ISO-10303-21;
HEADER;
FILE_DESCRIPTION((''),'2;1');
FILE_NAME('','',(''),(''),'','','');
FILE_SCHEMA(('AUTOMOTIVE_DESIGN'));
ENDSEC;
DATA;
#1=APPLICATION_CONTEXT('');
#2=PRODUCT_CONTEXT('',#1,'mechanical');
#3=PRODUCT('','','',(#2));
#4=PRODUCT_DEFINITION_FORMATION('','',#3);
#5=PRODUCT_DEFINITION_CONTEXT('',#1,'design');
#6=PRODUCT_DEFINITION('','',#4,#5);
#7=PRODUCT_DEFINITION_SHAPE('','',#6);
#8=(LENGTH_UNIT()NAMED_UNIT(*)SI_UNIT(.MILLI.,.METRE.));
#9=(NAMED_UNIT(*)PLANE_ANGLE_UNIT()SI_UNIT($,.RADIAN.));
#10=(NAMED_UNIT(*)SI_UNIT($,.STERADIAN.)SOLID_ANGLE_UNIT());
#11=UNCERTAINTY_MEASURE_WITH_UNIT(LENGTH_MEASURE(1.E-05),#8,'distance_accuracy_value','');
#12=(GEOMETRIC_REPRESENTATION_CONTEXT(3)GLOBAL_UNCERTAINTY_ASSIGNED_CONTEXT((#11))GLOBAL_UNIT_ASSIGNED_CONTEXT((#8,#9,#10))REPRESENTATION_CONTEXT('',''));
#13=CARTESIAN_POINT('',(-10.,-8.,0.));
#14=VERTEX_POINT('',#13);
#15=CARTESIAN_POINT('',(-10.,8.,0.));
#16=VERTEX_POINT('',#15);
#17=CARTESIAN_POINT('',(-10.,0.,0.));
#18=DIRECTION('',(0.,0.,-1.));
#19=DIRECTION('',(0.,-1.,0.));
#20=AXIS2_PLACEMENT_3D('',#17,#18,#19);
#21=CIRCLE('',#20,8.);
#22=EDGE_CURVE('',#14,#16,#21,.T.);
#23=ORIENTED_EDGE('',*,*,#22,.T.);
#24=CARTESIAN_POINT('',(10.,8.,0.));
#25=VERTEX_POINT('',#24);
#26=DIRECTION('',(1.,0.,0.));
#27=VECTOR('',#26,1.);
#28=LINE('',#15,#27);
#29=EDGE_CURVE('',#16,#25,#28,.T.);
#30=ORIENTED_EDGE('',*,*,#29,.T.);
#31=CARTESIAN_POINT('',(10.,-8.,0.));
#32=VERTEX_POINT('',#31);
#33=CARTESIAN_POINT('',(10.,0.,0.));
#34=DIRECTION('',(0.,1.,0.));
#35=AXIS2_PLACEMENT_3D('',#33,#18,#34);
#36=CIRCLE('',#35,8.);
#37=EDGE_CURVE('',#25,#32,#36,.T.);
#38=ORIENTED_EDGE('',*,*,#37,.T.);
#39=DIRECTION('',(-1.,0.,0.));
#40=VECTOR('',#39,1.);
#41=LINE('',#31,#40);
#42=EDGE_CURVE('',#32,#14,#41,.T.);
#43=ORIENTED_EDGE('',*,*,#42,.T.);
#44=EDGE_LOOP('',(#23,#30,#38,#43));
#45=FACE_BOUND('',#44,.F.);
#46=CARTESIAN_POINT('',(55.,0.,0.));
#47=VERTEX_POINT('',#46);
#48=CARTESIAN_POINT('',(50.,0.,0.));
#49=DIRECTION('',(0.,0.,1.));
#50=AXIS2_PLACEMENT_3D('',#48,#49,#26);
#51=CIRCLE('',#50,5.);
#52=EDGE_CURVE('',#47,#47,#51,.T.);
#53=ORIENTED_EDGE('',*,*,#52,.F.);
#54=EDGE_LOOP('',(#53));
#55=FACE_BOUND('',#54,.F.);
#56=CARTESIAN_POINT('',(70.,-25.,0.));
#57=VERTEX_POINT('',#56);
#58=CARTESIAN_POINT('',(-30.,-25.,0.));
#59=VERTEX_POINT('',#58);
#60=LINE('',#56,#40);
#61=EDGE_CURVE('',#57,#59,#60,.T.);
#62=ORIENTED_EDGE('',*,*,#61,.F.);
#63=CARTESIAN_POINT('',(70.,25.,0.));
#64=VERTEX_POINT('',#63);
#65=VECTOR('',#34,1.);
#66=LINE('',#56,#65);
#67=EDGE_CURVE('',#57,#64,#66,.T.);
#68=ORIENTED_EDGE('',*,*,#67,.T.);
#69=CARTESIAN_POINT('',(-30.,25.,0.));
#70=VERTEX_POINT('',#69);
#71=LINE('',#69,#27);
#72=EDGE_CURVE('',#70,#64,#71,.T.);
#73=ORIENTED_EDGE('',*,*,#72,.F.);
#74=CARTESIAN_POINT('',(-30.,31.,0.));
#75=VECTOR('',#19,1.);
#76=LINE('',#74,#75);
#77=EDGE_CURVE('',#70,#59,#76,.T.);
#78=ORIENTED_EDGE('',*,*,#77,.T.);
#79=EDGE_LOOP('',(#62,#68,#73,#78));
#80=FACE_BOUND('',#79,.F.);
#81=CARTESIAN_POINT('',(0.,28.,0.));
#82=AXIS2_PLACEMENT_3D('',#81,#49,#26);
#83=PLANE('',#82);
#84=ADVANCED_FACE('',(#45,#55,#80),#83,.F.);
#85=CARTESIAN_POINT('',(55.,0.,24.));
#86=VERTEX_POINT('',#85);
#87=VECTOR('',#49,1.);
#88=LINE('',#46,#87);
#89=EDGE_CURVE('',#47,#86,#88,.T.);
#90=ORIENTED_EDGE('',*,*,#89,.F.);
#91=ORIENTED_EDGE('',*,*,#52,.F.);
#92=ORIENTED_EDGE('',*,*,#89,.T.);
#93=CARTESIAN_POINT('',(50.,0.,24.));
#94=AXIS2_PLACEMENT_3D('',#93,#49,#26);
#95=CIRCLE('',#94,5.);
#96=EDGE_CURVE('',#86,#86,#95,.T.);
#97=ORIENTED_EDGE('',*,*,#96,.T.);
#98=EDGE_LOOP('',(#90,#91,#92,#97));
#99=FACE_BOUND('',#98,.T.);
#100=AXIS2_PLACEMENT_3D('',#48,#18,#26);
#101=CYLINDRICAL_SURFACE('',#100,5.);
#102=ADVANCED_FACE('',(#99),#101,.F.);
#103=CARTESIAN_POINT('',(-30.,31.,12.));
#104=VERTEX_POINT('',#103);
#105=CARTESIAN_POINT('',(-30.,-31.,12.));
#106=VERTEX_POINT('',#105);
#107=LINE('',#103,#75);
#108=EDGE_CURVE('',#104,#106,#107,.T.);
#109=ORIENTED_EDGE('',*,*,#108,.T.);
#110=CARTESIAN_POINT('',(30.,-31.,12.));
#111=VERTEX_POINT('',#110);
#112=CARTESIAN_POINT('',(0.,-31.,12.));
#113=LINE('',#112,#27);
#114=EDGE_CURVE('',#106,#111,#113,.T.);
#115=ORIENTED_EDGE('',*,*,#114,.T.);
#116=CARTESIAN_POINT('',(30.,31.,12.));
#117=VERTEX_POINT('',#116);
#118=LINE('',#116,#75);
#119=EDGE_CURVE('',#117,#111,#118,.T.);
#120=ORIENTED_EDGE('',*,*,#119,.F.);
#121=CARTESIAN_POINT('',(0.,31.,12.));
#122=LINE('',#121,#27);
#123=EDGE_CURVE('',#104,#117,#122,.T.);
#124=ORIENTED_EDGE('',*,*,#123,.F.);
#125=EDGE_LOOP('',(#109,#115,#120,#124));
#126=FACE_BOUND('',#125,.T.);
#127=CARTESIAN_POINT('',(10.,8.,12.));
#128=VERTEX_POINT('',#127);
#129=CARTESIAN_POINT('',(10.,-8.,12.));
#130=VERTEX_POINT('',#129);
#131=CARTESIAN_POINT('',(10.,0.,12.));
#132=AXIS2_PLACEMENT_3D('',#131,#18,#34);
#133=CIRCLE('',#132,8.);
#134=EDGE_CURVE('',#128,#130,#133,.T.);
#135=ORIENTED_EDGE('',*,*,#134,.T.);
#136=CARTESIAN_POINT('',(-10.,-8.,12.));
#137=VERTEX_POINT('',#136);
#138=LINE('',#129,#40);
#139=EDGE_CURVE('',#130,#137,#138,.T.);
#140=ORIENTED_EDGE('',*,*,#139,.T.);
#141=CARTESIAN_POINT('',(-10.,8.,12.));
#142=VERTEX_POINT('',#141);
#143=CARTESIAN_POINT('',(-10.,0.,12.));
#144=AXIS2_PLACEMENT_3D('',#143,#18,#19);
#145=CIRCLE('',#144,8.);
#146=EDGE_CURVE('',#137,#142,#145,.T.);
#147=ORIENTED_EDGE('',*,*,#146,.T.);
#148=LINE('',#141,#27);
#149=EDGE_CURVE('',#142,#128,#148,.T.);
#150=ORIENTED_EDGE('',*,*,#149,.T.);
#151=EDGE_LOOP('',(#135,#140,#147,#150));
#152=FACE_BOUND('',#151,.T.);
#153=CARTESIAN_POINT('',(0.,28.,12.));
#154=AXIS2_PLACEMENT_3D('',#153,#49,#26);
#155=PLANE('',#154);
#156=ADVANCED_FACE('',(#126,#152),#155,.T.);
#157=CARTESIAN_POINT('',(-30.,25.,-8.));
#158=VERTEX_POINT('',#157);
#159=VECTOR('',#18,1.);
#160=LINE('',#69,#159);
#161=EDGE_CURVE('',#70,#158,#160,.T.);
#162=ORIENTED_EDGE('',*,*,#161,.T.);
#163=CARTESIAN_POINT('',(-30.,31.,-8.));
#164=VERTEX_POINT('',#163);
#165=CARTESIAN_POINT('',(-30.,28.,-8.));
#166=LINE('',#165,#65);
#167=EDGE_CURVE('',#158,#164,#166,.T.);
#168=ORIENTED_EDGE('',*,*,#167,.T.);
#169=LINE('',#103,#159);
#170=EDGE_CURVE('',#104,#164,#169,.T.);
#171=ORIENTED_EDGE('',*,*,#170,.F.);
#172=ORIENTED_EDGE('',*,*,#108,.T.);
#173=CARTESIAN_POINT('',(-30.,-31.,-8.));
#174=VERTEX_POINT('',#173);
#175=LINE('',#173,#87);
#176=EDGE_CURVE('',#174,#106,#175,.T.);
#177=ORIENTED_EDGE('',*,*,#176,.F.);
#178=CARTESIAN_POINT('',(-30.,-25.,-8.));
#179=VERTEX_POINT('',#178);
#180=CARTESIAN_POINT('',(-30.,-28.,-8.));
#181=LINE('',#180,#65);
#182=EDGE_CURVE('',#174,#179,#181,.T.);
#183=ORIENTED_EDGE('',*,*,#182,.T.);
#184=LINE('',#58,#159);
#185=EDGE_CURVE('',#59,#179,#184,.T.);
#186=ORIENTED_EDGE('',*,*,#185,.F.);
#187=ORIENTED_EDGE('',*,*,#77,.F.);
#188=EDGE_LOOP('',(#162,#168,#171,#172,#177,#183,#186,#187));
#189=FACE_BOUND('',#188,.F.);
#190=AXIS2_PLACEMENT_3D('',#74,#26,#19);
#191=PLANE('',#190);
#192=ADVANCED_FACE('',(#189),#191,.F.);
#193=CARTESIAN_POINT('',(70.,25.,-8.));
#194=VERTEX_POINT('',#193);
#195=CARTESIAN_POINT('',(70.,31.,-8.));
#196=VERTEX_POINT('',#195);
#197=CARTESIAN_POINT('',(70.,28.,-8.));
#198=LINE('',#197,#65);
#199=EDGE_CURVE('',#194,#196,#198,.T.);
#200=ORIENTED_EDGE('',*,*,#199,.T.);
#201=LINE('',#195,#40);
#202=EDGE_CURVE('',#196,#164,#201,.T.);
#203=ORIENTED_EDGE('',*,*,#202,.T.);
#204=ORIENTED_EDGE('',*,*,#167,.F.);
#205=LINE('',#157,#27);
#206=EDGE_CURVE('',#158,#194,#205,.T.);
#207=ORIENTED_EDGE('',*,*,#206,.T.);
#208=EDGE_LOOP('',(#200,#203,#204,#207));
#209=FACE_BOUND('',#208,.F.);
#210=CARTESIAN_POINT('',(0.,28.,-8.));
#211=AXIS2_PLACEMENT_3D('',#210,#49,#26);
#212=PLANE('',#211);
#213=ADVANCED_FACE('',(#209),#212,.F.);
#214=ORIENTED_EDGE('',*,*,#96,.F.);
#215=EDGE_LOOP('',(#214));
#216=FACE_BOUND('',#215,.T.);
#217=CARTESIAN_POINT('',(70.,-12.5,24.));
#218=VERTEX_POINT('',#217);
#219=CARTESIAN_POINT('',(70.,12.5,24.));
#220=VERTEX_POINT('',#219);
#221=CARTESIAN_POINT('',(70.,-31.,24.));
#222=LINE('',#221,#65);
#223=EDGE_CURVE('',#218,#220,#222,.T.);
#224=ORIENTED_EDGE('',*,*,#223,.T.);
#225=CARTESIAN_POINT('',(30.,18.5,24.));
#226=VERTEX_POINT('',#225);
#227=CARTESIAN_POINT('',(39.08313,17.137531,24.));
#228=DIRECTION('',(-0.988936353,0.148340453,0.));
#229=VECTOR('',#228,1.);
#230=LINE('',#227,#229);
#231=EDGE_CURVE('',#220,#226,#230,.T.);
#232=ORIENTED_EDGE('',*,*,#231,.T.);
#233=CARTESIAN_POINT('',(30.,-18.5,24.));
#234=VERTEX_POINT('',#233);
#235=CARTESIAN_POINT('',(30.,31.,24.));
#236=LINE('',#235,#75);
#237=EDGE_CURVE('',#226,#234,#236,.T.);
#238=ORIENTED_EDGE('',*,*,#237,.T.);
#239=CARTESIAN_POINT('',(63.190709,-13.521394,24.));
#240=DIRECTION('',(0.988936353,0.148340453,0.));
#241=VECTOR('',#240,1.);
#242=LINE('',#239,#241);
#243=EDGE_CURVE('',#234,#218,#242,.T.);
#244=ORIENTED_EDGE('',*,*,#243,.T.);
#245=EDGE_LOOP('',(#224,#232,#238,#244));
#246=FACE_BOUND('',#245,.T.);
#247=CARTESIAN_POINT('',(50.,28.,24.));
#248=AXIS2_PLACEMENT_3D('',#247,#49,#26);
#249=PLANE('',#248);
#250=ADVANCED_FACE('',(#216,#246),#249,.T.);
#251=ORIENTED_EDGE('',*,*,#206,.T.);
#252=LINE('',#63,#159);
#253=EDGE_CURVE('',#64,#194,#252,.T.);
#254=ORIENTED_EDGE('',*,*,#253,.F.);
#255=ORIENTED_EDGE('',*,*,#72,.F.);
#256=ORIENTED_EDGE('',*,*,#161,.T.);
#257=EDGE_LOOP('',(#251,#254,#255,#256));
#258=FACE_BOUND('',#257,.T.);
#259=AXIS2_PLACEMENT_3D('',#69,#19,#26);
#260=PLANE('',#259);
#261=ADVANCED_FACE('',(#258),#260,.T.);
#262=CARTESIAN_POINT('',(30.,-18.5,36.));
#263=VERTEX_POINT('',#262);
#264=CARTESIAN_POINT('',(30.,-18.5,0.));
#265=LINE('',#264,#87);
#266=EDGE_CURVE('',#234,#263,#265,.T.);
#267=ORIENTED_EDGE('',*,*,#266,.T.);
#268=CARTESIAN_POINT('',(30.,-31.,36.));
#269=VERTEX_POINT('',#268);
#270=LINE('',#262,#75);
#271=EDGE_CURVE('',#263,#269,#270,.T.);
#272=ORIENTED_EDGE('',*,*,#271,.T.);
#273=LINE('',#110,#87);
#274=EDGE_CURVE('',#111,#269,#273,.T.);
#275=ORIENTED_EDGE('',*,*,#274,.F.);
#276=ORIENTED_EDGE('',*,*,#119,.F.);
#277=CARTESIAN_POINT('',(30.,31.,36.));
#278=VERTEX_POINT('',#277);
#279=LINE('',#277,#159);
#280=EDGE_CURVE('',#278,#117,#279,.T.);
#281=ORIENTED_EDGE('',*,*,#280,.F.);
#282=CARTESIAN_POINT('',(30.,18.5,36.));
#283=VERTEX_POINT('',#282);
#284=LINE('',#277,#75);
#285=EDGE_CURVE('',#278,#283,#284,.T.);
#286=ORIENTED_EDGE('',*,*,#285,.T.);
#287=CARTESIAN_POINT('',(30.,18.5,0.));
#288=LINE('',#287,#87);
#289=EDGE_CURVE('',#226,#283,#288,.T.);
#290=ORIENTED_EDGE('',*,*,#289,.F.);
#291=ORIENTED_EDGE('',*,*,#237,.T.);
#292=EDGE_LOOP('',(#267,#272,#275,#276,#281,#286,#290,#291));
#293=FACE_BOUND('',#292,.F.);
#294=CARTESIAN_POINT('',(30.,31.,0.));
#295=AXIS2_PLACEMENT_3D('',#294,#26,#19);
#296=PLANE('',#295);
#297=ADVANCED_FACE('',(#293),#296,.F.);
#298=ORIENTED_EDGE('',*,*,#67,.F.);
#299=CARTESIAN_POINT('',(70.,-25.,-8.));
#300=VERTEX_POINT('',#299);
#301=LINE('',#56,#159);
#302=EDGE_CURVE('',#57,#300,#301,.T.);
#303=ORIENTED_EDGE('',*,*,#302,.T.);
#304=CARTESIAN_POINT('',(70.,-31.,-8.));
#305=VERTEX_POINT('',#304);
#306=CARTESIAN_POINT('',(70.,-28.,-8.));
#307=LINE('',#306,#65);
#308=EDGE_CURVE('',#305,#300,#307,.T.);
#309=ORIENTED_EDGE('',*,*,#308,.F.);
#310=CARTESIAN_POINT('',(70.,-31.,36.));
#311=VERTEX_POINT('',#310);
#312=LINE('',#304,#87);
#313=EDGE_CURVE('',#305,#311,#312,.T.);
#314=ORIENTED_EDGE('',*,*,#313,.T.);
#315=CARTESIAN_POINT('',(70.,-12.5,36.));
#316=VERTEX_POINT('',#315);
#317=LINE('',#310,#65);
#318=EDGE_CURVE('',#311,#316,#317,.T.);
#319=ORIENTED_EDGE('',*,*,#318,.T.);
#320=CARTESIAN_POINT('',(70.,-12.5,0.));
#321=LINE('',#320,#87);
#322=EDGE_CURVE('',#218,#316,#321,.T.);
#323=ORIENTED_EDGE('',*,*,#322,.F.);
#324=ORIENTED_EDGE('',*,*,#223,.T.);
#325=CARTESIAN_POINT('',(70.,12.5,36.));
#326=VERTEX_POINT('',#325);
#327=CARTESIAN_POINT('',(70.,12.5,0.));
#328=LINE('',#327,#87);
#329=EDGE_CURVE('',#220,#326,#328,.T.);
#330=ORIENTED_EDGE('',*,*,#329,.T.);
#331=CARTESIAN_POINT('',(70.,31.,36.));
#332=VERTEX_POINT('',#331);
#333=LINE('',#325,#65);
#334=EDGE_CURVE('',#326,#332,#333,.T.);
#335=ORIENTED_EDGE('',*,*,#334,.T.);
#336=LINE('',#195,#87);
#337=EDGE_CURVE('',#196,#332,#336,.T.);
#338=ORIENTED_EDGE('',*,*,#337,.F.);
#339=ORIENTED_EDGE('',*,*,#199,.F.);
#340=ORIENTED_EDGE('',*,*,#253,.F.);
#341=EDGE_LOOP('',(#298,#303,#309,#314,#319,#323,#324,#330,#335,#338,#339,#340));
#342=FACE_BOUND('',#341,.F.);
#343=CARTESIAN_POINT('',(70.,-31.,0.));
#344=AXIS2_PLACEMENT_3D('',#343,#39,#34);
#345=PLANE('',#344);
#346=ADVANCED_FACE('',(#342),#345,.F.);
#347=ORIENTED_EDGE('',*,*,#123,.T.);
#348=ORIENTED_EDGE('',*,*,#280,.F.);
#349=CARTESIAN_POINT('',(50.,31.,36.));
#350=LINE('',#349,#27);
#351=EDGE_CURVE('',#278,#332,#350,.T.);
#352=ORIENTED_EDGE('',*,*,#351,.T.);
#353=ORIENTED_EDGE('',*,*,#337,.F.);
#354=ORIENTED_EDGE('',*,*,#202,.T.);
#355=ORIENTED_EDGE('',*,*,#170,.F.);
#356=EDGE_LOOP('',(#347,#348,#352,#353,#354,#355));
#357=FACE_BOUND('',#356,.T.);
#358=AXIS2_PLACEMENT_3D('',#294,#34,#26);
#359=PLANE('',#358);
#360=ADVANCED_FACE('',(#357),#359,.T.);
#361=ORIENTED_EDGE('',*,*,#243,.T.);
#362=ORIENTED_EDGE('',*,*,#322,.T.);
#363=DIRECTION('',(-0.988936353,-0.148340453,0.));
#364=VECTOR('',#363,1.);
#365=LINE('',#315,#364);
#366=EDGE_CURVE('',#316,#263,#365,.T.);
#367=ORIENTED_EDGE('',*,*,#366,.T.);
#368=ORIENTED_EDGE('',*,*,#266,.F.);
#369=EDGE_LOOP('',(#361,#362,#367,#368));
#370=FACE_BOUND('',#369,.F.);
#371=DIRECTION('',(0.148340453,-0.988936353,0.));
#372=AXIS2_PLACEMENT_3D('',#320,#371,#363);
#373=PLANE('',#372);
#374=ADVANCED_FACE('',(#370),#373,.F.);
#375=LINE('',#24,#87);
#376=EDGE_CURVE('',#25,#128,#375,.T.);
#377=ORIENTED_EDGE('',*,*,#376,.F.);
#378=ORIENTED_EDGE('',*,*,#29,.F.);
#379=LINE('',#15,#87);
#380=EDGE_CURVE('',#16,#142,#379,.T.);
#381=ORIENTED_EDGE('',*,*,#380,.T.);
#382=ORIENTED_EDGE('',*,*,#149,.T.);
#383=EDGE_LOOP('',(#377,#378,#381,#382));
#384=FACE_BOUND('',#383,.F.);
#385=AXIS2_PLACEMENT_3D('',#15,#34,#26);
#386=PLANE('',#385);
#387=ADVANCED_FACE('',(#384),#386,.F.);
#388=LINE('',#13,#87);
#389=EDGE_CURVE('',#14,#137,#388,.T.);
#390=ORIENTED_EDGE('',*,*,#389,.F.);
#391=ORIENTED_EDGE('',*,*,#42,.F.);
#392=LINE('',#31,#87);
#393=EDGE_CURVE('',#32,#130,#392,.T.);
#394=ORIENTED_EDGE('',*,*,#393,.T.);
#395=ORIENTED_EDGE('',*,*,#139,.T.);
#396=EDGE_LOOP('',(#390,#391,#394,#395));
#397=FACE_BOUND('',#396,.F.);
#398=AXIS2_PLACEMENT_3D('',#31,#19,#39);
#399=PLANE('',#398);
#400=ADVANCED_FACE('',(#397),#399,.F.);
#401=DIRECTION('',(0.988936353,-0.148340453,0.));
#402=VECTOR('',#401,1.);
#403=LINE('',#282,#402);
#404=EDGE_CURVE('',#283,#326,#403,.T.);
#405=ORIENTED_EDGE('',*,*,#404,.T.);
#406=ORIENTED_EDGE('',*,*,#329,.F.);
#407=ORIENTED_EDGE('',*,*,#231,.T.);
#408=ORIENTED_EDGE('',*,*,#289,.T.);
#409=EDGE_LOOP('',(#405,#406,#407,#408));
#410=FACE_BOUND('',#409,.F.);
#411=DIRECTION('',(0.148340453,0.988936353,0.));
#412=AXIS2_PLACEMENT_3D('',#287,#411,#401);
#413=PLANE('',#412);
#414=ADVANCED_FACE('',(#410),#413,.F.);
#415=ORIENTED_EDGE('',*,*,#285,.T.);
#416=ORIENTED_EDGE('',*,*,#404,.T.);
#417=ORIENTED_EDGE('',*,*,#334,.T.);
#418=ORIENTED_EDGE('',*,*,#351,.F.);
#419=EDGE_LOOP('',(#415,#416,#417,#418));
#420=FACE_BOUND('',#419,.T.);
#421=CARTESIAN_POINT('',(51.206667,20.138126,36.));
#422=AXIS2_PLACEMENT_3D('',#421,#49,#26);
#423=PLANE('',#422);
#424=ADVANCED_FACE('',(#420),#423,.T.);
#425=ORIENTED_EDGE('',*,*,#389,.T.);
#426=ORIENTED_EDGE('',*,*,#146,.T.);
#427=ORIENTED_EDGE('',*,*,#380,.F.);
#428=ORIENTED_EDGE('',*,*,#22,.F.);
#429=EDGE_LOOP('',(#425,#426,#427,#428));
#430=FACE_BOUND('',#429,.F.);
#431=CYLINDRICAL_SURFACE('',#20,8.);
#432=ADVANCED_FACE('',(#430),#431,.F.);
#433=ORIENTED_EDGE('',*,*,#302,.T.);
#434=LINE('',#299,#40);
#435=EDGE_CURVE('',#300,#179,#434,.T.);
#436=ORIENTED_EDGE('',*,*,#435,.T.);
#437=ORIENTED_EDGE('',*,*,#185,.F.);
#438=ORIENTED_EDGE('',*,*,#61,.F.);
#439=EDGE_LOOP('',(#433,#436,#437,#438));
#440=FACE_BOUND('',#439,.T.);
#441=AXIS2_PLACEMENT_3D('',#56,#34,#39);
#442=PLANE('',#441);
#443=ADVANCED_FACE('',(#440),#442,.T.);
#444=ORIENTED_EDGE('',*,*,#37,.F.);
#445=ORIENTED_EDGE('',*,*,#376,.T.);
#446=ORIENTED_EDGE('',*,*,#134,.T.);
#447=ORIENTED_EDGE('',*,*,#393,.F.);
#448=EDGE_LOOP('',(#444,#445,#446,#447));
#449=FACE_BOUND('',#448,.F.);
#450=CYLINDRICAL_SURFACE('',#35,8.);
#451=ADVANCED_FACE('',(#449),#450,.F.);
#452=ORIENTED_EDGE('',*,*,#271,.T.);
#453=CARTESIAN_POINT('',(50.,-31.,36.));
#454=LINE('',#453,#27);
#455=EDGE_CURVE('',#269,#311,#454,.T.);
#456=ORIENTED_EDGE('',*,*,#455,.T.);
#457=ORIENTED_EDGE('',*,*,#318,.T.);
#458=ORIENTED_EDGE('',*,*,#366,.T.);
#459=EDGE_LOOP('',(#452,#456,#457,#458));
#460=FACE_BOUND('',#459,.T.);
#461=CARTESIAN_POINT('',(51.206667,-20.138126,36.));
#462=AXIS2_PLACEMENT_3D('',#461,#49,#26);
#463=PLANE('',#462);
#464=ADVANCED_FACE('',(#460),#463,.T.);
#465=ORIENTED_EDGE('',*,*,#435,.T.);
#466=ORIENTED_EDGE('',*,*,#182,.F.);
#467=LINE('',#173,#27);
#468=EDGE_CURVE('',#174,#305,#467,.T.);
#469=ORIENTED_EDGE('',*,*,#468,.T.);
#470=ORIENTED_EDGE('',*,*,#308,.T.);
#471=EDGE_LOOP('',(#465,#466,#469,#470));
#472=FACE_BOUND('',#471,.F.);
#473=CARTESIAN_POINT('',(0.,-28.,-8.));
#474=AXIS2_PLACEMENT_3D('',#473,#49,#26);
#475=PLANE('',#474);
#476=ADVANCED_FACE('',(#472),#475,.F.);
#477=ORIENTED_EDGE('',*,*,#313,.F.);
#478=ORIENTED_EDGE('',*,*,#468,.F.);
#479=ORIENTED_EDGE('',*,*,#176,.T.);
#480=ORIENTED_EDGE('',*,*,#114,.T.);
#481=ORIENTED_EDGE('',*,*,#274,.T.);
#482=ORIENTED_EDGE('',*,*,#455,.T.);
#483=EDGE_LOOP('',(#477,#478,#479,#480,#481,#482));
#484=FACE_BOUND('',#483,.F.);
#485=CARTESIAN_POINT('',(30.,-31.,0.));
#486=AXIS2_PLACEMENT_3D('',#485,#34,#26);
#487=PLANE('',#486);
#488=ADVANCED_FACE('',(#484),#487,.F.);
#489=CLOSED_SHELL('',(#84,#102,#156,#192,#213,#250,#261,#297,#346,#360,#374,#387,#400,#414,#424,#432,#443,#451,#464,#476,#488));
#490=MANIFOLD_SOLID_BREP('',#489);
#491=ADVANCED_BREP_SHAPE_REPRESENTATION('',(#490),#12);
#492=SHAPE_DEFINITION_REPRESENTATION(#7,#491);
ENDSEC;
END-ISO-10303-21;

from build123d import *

# Parameters (mm, degrees)
F0_W     = 60
F0_H     = 6
F0_W_2   = 40
F1_DEPTH = 8
F2_DEPTH = 12
F0_R     = 5
F3_DEPTH = 24
F4_DEPTH = 36


with BuildPart() as f1:
    # F0 (on Top) → F1 (new body)
    with BuildSketch(Plane.XY):
        with Locations((0, -28)):
            Rectangle(F0_W, F0_H)
        with Locations((50, -28)):
            Rectangle(F0_W_2, F0_H)
        with Locations((0, 28)):
            Rectangle(F0_W, F0_H)
        with Locations((50, 28)):
            Rectangle(F0_W_2, F0_H)
    extrude(amount=-F1_DEPTH)

    # F0 (on Top) → F2 (join)
    with BuildSketch(Plane.XY):
        with Locations((0, 28)):
            Rectangle(F0_W, F0_H)
        Polygon((30, 25), (-30, 25), (-30, -25), (30, -25), (30, -18.5), (30, 18.5), align=None)
        with BuildLine():
            ThreePointArc((-10, -8), (-18, 0), (-10, 8))
            Line((-10, 8), (10, 8))
            ThreePointArc((10, 8), (18, 0), (10, -8))
            Line((10, -8), (-10, -8))
        make_face(mode=Mode.SUBTRACT)
        with Locations((0, -28)):
            Rectangle(F0_W, F0_H)
    extrude(amount=F2_DEPTH)

    # F0 (on Top) → F3 (join)
    with BuildSketch(Plane.XY):
        with Locations((50, 28)):
            Rectangle(F0_W_2, F0_H)
        Polygon((70, 25), (30, 25), (30, 18.5), (70, 12.5), align=None)
        Polygon((70, 12.5), (30, 18.5), (30, -18.5), (70, -12.5), align=None)
        with Locations((50, 0)):
            Circle(F0_R, mode=Mode.SUBTRACT)
        Polygon((30, -18.5), (30, -25), (70, -25), (70, -12.5), align=None)
        with Locations((50, -28)):
            Rectangle(F0_W_2, F0_H)
    extrude(amount=F3_DEPTH)

    # F0 (on Top) → F4 (join)
    with BuildSketch(Plane.XY):
        Polygon((30, -18.5), (30, -25), (70, -25), (70, -12.5), align=None)
        with Locations((50, -28)):
            Rectangle(F0_W_2, F0_H)
        Polygon((70, 25), (30, 25), (30, 18.5), (70, 12.5), align=None)
        with Locations((50, 28)):
            Rectangle(F0_W_2, F0_H)
    extrude(amount=F4_DEPTH)


solid = f1.part
